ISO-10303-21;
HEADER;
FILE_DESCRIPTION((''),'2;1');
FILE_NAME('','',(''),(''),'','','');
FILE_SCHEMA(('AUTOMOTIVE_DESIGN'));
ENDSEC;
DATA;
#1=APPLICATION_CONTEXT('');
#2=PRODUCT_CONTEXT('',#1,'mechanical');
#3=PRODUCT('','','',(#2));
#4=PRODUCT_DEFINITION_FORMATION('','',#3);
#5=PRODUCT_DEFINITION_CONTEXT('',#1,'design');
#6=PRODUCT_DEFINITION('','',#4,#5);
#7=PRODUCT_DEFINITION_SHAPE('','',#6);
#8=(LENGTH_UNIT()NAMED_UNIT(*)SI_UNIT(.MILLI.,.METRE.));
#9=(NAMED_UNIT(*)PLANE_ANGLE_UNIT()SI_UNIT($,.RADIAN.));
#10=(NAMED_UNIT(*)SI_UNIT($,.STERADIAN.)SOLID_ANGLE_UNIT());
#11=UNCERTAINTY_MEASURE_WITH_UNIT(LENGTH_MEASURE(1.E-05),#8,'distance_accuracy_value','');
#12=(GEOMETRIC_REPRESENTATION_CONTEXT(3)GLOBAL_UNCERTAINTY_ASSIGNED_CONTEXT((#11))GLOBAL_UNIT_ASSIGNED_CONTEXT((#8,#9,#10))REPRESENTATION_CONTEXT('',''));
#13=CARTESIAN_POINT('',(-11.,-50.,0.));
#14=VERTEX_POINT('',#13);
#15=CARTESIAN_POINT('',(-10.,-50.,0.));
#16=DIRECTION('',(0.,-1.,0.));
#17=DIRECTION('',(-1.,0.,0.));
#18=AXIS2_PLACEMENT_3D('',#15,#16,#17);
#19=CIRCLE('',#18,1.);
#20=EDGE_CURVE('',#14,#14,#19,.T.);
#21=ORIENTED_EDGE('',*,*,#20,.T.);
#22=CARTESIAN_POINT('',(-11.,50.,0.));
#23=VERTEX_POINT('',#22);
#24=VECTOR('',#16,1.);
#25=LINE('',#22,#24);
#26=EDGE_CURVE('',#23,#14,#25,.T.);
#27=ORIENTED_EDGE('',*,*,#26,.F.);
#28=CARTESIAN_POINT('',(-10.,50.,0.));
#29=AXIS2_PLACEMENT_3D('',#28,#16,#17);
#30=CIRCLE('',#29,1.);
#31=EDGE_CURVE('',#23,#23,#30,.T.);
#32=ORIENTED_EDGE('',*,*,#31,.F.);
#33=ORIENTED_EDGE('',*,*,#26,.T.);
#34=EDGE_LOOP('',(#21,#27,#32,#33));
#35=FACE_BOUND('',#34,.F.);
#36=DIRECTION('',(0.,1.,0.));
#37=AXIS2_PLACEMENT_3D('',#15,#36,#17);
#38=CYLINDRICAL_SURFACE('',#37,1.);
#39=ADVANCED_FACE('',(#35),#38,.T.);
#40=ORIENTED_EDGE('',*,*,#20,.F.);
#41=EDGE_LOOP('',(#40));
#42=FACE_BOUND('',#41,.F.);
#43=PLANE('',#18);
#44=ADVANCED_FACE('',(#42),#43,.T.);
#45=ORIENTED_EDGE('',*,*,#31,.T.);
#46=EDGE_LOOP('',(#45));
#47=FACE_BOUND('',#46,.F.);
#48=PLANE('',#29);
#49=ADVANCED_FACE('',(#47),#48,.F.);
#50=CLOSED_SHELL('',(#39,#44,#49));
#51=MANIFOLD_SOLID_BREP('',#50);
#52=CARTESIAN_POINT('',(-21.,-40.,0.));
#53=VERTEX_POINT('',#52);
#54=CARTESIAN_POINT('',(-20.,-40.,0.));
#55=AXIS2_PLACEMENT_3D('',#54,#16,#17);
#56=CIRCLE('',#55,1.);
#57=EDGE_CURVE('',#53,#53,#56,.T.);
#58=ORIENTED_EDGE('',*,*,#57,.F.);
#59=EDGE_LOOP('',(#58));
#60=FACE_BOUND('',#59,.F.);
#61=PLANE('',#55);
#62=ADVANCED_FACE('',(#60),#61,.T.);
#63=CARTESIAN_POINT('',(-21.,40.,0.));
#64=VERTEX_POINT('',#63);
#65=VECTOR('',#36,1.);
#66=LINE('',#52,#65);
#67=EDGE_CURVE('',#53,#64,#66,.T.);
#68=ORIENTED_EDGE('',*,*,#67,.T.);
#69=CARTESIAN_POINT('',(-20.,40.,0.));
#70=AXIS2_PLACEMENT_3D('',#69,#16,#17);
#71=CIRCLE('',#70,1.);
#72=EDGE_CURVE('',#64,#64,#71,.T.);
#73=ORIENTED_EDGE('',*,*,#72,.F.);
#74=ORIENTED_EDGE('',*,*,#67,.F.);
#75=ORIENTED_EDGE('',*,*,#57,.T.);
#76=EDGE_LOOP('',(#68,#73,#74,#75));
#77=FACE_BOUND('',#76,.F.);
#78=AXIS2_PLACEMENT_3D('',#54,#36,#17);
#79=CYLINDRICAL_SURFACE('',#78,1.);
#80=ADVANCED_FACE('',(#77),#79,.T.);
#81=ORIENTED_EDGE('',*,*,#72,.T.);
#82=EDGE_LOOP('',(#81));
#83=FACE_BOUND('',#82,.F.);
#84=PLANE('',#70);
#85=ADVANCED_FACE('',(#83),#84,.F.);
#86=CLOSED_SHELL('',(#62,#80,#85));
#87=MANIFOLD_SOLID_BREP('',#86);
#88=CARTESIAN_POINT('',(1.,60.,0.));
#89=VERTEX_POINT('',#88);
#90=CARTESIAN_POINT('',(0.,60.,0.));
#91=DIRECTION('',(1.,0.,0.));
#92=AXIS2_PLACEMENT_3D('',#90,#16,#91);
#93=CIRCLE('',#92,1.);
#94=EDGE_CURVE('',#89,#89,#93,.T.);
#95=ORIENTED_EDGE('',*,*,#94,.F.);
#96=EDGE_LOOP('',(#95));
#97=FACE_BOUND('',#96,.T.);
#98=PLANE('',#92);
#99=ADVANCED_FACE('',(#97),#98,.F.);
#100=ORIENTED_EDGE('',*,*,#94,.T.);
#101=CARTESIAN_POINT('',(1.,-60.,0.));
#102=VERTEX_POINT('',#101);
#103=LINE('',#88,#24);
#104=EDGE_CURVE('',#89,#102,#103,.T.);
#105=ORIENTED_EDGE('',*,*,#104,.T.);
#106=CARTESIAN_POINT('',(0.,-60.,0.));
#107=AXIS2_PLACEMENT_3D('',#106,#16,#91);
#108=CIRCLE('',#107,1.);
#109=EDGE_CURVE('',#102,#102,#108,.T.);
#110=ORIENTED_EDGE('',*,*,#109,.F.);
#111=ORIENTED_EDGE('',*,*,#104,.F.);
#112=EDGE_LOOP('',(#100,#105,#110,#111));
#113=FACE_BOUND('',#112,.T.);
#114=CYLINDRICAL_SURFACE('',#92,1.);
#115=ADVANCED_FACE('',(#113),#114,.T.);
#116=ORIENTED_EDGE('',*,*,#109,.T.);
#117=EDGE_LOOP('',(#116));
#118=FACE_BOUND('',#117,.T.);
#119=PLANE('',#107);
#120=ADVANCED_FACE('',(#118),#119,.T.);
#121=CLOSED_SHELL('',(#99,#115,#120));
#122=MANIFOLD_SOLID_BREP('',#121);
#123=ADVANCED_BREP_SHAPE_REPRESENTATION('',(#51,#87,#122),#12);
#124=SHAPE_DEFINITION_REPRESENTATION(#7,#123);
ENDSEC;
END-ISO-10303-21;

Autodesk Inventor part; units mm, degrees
ref_plane "YZ Plane" through (0, 0, 0) normal (1, 0, 0) x (0, 1, 0)
ref_plane "XZ Plane" through (0, 0, 0) normal (0, 1, 0) x (-1, 0, 0)
ref_plane "XY Plane" through (0, 0, 0) normal (0, 0, 1) x (1, 0, 0)
sketch "草圖1" plane through (0, 0, 0) normal (0, 0, 1) x (1, 0, 0)
  line L0 (0, 60) -> (1, 60)
  line L1 (1, 60) -> (1, -60)
  line L2 (1, -60) -> (0, -60)
  line L3 (0, -60) -> (0, 60)
  line L4 (0, 49.2923) -> (0, -49.2923)
  line L5 (-11, 50) -> (-10, 50)
  line L6 (-10, 50) -> (-10, -50)
  line L7 (-10, -50) -> (-11, -50)
  line L8 (-11, -50) -> (-11, 50)
  line L9 (-10, 56.3661) -> (-10, -65.7059)
  line L10 (-14.7421, 0) -> (13.3348, 0)
  line L11 (-21, 40) -> (-20, 40)
  line L12 (-20, 40) -> (-20, -40)
  line L13 (-20, -40) -> (-21, -40)
  line L14 (-21, -40) -> (-21, 40)
  point P0 (0, 0)
  point P1 (0, 0)
  point P2 (-11, 0)
  point P3 (-10, 0)
  point P4 (-21, 0)
  dimension "d1" = 120
  dimension "d2" = 2
  dimension "d4" = 10
  dimension "d5" = 2
  dimension "d6" = 100
  dimension "d8" = 80
  dimension "d9" = 20
  dimension "d10" = 2
revolve "迴轉1" add sketch "草圖1" angle 360 about axis through (0, 49.2923, 0) along (0, -1, 0) contours L0 L1 L10 L3 | L1 L2 L3 L10
revolve "迴轉2" add sketch "草圖1" angle 360 about axis through (-10, 56.3661, 0) along (0, -1, 0) separate body contours L6 L7 L8 L10 | L10 L8 L5 L6
revolve "迴轉3" add sketch "草圖1" angle 360 about axis through (-20, 40, 0) along (0, -1, 0) separate body contours L11 L12 L13 L14
properties part number "rod" material "不鏽鋼 AISI 440C、熔接"
